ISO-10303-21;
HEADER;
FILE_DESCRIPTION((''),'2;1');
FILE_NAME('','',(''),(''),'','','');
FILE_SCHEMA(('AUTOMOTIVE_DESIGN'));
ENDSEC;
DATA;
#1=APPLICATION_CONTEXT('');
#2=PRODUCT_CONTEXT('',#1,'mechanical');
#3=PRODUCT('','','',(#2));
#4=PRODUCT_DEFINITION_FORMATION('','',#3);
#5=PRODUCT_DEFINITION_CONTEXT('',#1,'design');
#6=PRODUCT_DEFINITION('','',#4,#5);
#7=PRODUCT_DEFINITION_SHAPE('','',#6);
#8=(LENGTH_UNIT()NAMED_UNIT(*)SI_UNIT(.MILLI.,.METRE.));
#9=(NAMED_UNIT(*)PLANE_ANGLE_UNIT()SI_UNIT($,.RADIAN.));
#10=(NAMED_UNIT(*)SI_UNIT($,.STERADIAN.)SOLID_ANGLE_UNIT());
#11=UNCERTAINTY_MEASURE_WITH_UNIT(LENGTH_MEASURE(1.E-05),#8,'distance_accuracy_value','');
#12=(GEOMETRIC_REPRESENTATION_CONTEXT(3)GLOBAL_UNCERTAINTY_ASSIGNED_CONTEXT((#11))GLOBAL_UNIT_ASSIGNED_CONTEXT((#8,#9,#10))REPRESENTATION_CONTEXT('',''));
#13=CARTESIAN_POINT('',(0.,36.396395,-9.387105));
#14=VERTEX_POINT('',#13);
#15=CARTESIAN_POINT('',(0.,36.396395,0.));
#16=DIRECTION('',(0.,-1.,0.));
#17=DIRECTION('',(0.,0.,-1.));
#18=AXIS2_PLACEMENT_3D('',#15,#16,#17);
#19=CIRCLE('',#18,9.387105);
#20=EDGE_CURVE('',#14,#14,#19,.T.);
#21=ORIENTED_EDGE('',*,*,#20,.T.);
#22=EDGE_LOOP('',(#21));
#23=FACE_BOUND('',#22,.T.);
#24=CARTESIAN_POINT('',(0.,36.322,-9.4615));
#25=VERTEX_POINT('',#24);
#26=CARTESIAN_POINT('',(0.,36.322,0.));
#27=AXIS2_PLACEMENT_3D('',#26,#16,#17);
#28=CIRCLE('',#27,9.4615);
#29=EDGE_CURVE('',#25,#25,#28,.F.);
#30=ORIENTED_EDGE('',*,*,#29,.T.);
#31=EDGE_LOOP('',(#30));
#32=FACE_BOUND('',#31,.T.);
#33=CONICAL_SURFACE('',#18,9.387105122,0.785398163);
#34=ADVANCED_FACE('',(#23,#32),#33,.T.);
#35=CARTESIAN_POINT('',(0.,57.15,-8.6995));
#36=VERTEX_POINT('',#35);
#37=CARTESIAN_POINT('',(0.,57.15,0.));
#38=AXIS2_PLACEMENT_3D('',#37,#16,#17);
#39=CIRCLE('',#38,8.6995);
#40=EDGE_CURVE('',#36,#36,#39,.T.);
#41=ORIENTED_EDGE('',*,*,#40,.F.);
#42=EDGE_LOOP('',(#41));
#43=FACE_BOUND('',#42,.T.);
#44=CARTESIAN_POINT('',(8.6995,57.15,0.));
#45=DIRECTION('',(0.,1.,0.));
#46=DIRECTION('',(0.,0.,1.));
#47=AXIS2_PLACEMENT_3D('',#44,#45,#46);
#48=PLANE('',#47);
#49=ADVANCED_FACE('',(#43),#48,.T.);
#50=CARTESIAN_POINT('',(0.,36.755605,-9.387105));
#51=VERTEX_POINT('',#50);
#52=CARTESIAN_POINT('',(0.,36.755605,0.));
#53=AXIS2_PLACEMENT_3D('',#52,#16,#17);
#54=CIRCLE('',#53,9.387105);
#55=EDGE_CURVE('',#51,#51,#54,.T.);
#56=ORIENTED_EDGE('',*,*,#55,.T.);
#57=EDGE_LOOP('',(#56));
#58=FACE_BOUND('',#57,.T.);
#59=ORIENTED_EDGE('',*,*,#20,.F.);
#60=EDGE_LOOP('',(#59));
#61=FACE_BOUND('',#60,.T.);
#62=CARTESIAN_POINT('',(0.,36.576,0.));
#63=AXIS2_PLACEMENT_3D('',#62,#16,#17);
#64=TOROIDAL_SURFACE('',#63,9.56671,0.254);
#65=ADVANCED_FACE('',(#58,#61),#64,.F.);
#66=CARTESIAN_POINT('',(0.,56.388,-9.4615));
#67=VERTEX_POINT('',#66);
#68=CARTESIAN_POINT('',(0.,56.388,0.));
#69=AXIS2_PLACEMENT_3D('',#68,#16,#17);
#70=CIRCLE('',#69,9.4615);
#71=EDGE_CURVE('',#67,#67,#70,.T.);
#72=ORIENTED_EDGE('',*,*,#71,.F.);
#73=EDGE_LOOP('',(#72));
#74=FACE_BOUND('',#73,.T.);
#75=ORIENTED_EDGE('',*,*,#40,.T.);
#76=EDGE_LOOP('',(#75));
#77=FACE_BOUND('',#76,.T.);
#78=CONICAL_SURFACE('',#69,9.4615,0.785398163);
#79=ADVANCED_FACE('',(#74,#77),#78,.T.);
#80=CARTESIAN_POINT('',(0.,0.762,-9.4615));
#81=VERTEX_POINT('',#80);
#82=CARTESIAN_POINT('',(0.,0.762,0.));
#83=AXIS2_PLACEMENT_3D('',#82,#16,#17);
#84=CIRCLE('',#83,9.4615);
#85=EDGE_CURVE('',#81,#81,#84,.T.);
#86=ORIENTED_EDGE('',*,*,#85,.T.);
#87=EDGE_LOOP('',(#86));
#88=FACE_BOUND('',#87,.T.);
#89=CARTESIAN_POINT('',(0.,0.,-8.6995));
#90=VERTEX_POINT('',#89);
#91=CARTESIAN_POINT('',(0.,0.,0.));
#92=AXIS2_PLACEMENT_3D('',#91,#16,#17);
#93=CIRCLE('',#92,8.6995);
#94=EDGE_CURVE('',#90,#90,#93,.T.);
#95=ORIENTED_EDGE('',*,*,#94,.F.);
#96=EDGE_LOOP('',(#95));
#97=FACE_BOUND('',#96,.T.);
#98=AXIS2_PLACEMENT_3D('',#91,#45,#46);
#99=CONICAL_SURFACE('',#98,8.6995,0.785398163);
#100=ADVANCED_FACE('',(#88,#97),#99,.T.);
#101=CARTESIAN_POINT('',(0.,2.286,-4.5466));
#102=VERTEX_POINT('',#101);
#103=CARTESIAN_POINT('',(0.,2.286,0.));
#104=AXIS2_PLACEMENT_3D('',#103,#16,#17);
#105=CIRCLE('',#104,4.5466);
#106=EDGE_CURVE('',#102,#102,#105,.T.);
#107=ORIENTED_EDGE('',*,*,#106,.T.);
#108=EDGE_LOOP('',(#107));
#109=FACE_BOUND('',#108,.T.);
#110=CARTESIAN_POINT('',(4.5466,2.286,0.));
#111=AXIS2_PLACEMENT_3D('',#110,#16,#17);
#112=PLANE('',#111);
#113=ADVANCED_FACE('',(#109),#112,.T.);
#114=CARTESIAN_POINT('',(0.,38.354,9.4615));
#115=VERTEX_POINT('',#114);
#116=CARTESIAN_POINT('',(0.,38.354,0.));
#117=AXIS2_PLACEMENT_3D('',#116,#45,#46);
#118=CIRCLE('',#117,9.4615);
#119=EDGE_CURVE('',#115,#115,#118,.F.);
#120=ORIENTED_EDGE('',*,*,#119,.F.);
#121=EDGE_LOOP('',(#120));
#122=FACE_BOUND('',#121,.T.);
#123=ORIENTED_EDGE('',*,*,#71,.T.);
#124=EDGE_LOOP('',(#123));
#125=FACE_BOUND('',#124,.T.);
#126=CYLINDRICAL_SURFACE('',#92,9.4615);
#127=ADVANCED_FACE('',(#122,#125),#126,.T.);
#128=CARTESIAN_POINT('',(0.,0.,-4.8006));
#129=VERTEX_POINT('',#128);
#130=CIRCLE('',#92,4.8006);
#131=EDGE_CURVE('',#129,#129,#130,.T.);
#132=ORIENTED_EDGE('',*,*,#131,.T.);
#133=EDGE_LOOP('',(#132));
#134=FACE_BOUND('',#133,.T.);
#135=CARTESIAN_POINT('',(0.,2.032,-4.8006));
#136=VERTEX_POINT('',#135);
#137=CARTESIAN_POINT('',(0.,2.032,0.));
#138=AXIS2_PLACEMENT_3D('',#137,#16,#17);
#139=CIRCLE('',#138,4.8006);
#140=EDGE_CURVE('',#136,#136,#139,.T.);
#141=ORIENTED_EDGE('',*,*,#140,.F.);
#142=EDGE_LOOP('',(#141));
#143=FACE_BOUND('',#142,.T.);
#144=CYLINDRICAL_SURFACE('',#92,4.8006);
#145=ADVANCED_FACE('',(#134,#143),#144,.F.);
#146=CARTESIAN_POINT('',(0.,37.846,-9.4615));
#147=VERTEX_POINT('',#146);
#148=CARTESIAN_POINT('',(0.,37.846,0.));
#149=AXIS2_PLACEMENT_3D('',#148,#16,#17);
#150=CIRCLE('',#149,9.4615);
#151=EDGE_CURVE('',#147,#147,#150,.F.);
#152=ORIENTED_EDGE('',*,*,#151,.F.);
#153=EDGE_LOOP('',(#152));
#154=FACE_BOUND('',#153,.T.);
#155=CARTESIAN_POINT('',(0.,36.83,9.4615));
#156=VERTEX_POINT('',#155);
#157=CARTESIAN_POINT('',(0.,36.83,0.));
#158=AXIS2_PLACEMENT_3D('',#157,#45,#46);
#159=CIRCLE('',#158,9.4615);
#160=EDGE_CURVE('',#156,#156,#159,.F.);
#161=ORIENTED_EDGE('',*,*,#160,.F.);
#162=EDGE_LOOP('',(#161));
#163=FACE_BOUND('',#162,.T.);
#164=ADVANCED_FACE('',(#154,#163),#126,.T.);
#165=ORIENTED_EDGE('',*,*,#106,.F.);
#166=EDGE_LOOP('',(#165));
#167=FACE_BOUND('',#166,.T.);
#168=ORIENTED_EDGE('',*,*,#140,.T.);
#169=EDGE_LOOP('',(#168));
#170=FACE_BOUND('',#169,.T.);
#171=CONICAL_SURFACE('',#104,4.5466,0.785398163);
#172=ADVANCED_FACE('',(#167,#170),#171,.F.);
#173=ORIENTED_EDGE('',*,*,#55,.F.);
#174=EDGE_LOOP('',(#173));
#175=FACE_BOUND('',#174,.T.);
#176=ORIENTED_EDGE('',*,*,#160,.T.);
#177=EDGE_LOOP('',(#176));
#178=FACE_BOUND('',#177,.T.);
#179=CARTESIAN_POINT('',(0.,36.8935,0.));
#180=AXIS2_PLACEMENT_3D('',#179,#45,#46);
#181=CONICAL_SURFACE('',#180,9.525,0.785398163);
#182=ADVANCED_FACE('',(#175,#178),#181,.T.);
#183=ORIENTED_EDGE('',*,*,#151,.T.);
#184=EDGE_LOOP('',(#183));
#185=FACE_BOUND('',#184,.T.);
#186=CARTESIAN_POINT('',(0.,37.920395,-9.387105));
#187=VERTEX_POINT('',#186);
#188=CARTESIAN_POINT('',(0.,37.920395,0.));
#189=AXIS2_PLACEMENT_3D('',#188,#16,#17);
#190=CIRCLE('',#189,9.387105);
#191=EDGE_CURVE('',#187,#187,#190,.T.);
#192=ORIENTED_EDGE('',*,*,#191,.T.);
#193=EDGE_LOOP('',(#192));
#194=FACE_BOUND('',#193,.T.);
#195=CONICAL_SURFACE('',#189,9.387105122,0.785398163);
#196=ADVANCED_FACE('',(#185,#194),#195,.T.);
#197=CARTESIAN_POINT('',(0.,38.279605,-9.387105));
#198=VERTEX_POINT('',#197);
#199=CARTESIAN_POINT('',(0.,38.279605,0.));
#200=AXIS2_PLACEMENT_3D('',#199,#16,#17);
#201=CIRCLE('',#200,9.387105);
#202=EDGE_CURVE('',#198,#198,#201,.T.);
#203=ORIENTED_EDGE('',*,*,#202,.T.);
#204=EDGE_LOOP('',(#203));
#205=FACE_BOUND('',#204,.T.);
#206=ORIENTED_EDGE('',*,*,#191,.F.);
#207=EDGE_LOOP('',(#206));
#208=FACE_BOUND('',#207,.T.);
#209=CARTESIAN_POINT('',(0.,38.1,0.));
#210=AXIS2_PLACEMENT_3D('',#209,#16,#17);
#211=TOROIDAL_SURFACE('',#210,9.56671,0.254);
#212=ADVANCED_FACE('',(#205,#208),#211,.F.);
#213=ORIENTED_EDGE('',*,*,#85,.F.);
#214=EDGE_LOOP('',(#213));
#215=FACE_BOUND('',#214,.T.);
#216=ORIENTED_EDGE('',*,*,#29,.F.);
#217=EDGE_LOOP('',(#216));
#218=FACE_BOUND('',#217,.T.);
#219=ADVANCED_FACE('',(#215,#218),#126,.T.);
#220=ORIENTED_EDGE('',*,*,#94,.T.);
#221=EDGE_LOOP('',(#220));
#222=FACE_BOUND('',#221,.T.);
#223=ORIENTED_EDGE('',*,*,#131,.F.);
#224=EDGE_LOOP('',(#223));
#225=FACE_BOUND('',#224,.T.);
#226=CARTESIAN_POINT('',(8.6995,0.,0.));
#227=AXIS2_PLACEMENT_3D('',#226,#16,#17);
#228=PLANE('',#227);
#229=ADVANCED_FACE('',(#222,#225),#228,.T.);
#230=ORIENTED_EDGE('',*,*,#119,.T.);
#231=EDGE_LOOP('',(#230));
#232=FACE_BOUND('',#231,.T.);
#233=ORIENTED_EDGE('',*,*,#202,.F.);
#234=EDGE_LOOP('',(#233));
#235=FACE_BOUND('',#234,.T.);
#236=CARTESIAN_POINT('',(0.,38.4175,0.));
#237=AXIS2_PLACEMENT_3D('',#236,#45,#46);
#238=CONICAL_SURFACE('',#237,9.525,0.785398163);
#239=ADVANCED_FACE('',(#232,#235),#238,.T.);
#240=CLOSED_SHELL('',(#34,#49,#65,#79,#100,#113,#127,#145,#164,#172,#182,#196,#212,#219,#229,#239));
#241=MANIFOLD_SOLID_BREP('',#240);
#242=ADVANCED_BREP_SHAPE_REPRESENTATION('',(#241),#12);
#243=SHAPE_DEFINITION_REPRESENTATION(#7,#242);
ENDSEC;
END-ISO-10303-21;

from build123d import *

# Parameters (mm, degrees)
LPATTERN1_COUNT = 2
LPATTERN1_PITCH = 1.524


with BuildPart() as part:
    # Sketch1 → Revolve1 (revolve)
    with BuildSketch(Plane.XY, mode=Mode.PRIVATE) as revolve1_sk:
        Polygon((9.4615, 0.762), (9.4615, 56.388), (8.6995, 57.15), (0, 57.15), (0, 2.286), (4.5466, 2.286), (4.8006, 2.032), (4.8006, 0), (8.6995, 0), align=None)
    revolve(revolve1_sk.sketch.rotate(Axis((0, 0, 0), (0, 1, 0)), 90), axis=Axis((0, 0, 0), (0, 1, 0)))  # turned: the seam where the file's is

    # Sketch2 → Cut-Revolve1 (revolve, cut)
    with BuildSketch(Plane.XY, mode=Mode.PRIVATE) as cut_revolve1_sk:
        with BuildLine():
            Line((9.525, 36.2585), (9.525, 36.8935))
            Line((9.525, 36.8935), (9.387105122, 36.755605122))
            ThreePointArc((9.387105122, 36.755605122), (9.312710245, 36.576), (9.387105122, 36.396394878))
            Line((9.387105122, 36.396394878), (9.525, 36.2585))
        make_face()
    cut_revolve1 = revolve(cut_revolve1_sk.sketch.rotate(Axis((0, 0, 0), (0, 1, 0)), 90), axis=Axis((0, 0, 0), (0, 1, 0)), mode=Mode.SUBTRACT)  # turned: the seam where the file's is

    # LPattern1: Cut-Revolve1 ×2
    with Locations(*[(0, i * LPATTERN1_PITCH, 0) for i in range(1, LPATTERN1_COUNT)]):
        add(cut_revolve1, mode=Mode.SUBTRACT)


solid = part.part
